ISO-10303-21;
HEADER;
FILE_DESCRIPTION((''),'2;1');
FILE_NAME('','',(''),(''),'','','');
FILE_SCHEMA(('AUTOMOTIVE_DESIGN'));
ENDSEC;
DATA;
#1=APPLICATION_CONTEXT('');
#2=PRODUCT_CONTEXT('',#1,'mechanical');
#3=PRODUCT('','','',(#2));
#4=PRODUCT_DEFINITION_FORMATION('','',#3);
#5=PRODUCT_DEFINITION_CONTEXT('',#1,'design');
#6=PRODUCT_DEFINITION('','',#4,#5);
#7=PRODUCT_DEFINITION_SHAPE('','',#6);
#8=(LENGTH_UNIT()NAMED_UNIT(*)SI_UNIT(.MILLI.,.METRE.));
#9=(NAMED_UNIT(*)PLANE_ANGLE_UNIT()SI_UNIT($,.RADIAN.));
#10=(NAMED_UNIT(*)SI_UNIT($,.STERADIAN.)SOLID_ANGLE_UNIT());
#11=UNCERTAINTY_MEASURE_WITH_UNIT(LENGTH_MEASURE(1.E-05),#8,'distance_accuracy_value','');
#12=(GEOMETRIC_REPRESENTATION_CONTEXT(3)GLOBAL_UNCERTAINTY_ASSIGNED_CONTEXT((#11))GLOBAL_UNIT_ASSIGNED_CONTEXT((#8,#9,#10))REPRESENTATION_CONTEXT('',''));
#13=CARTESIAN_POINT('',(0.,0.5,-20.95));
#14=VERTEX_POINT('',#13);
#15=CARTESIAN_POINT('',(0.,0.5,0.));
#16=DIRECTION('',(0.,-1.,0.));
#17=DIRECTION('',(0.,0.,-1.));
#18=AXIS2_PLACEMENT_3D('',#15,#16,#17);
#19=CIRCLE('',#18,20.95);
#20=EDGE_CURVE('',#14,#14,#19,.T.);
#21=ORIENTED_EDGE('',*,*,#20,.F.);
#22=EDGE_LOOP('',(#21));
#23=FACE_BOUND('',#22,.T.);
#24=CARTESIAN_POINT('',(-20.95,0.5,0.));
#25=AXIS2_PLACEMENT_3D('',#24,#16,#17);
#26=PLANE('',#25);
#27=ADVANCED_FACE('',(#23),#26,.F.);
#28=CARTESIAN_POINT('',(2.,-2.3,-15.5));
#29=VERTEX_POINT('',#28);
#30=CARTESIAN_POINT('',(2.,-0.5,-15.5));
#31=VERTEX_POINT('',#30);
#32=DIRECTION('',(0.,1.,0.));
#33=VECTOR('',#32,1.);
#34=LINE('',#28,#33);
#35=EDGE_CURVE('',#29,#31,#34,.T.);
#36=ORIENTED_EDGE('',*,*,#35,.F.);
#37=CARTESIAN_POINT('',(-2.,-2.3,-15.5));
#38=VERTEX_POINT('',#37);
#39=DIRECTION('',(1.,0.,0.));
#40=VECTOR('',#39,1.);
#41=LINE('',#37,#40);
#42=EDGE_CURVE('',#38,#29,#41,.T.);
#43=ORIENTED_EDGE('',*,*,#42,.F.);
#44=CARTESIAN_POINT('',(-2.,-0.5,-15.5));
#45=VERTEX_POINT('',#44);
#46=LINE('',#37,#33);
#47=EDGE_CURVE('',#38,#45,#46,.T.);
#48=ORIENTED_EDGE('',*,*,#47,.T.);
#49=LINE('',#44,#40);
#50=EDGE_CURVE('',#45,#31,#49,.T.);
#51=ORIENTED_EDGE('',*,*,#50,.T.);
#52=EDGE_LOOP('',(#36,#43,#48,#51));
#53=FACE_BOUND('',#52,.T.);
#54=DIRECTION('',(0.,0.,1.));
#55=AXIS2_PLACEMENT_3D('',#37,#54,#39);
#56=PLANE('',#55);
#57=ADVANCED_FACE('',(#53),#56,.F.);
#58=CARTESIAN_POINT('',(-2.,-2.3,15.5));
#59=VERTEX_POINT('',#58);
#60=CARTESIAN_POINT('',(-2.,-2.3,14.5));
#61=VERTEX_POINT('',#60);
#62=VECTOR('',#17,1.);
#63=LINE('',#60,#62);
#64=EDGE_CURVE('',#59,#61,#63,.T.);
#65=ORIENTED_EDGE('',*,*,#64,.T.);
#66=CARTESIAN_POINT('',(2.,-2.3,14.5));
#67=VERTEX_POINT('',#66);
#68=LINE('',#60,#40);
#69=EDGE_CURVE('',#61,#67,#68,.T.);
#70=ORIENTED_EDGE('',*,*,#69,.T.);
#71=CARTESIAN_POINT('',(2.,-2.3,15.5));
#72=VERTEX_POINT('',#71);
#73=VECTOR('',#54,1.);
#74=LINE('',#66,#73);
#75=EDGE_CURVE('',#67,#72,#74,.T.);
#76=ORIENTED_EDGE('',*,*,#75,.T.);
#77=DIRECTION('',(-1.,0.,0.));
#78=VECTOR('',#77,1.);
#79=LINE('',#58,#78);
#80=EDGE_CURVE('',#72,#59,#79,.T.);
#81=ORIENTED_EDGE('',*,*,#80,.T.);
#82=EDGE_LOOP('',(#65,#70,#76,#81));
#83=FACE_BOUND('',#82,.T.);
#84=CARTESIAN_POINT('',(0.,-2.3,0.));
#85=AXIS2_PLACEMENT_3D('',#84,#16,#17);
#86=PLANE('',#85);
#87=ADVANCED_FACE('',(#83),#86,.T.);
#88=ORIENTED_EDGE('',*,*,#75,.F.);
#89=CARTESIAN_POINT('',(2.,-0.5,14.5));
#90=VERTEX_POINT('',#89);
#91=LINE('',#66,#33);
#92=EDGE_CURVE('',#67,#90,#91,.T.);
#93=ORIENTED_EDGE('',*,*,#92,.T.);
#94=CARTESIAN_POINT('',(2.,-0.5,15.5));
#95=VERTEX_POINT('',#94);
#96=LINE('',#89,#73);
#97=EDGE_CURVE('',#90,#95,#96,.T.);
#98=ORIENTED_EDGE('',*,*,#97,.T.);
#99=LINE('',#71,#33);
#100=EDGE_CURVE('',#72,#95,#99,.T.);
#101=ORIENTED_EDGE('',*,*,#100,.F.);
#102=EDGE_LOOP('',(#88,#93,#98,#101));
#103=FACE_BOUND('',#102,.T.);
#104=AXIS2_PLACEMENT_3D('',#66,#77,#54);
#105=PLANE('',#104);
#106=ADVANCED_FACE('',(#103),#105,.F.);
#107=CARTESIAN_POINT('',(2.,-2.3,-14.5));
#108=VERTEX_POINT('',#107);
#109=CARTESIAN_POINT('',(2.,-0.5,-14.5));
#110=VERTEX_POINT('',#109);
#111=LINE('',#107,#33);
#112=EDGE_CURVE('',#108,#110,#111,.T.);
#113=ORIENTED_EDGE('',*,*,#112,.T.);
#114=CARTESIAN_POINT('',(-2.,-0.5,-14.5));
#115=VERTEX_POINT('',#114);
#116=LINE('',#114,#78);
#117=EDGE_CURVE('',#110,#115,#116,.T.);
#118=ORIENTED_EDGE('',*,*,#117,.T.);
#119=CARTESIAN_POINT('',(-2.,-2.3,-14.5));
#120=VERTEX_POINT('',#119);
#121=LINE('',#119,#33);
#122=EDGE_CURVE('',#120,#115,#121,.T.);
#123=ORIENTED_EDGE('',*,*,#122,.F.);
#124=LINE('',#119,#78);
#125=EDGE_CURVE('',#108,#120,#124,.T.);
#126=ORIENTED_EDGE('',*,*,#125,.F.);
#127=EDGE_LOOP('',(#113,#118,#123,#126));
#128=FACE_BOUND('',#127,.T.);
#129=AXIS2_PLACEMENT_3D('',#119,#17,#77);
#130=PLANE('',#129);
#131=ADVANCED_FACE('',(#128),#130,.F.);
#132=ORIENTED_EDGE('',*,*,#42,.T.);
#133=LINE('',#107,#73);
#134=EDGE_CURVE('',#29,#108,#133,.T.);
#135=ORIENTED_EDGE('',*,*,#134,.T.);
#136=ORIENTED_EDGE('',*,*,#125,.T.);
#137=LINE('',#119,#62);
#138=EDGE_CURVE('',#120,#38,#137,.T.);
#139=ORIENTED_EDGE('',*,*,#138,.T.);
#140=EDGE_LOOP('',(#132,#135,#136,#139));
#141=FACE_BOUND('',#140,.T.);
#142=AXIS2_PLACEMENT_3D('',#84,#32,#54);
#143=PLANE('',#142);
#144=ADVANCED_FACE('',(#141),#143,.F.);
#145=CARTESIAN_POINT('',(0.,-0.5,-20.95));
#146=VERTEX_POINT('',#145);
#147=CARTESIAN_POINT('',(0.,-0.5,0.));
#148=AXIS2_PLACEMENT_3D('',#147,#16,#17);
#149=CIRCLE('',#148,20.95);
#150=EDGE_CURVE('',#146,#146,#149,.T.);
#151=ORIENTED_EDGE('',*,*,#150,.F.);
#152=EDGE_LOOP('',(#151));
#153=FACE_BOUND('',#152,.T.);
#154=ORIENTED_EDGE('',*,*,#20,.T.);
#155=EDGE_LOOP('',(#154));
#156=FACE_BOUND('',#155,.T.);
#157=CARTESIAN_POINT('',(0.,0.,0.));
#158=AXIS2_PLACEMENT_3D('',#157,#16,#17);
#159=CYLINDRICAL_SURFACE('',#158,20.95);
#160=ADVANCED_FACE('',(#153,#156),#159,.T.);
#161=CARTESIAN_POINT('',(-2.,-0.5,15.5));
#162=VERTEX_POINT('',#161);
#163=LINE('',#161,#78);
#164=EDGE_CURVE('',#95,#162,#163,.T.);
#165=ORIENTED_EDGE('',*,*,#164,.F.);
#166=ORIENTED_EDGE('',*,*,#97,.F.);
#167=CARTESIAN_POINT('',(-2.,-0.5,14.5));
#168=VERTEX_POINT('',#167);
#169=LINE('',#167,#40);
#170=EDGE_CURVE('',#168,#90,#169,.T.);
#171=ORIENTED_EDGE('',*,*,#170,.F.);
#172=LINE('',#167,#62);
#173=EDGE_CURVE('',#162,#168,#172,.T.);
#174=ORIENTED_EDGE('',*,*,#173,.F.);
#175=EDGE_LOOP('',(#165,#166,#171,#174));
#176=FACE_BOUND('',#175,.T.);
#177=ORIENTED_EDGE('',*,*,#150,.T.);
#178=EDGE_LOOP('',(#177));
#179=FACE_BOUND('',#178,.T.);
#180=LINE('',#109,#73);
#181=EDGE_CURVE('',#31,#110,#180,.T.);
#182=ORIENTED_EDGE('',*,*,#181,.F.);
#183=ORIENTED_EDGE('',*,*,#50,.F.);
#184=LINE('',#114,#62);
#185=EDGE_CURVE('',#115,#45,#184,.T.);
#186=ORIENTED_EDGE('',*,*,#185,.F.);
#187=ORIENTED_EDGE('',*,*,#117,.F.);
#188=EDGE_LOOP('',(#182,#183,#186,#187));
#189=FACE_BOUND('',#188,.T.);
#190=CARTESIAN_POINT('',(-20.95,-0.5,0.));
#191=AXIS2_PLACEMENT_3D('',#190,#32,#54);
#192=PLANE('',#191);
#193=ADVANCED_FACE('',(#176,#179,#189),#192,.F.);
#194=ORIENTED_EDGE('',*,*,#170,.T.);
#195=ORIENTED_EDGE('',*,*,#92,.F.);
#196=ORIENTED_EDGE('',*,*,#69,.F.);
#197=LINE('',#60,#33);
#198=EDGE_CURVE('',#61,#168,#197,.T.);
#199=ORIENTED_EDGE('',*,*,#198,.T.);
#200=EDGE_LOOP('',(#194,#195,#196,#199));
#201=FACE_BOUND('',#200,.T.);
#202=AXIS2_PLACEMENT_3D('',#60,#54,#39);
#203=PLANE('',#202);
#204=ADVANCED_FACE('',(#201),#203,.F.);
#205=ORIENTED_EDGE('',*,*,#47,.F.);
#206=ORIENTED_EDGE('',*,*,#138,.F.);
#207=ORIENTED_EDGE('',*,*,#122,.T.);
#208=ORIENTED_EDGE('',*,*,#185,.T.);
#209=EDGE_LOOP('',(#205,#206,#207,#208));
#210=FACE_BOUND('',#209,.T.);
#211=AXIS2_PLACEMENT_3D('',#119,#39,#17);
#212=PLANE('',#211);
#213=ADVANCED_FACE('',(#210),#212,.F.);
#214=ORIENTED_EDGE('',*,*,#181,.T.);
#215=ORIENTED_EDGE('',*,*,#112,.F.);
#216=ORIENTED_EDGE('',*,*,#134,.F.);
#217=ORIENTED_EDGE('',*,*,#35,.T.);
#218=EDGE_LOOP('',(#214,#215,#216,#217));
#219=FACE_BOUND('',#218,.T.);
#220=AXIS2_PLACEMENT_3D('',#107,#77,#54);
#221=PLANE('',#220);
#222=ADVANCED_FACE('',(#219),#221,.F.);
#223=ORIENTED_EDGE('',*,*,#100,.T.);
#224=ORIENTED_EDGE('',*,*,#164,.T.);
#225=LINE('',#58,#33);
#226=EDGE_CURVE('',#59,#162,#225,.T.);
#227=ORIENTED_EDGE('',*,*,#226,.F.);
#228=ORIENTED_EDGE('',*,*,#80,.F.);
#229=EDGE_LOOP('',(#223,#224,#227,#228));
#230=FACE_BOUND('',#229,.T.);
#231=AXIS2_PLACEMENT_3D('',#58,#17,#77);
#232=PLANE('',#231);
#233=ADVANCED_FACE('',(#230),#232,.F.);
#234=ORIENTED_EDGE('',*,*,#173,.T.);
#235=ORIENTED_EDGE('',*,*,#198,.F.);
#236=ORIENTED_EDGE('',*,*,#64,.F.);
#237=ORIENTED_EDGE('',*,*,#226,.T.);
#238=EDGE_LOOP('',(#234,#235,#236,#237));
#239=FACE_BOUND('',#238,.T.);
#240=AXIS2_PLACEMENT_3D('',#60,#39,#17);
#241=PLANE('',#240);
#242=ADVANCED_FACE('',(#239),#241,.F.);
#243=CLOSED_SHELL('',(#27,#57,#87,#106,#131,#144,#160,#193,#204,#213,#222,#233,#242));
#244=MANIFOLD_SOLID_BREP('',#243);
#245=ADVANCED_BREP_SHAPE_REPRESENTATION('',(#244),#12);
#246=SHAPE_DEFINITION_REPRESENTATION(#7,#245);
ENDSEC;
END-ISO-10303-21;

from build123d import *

# Parameters (mm, degrees)
FRONT_W       = 20.95
FRONT_H       = 1
SKETCH1_W     = 4
SKETCH1_H     = 1
HOLDERS_DEPTH = 1.8


with BuildPart() as part:
    # Front → Base (revolve)
    with BuildSketch(Plane.XY, mode=Mode.PRIVATE) as base_sk:
        with Locations((-10.475, 0)):
            Rectangle(FRONT_W, FRONT_H)
    revolve(base_sk.sketch.rotate(Axis((0, 0, 0), (0, 1, 0)), 270), axis=Axis((0, 0, 0), (0, 1, 0)))

    # Sketch1 → Holders (add)
    with BuildSketch(Plane.XZ.offset(0.5)):
        with Locations((0, 15)):
            Rectangle(SKETCH1_W, SKETCH1_H)
        with Locations((0, -15)):
            Rectangle(SKETCH1_W, SKETCH1_H)
    extrude(amount=HOLDERS_DEPTH)


solid = part.part
